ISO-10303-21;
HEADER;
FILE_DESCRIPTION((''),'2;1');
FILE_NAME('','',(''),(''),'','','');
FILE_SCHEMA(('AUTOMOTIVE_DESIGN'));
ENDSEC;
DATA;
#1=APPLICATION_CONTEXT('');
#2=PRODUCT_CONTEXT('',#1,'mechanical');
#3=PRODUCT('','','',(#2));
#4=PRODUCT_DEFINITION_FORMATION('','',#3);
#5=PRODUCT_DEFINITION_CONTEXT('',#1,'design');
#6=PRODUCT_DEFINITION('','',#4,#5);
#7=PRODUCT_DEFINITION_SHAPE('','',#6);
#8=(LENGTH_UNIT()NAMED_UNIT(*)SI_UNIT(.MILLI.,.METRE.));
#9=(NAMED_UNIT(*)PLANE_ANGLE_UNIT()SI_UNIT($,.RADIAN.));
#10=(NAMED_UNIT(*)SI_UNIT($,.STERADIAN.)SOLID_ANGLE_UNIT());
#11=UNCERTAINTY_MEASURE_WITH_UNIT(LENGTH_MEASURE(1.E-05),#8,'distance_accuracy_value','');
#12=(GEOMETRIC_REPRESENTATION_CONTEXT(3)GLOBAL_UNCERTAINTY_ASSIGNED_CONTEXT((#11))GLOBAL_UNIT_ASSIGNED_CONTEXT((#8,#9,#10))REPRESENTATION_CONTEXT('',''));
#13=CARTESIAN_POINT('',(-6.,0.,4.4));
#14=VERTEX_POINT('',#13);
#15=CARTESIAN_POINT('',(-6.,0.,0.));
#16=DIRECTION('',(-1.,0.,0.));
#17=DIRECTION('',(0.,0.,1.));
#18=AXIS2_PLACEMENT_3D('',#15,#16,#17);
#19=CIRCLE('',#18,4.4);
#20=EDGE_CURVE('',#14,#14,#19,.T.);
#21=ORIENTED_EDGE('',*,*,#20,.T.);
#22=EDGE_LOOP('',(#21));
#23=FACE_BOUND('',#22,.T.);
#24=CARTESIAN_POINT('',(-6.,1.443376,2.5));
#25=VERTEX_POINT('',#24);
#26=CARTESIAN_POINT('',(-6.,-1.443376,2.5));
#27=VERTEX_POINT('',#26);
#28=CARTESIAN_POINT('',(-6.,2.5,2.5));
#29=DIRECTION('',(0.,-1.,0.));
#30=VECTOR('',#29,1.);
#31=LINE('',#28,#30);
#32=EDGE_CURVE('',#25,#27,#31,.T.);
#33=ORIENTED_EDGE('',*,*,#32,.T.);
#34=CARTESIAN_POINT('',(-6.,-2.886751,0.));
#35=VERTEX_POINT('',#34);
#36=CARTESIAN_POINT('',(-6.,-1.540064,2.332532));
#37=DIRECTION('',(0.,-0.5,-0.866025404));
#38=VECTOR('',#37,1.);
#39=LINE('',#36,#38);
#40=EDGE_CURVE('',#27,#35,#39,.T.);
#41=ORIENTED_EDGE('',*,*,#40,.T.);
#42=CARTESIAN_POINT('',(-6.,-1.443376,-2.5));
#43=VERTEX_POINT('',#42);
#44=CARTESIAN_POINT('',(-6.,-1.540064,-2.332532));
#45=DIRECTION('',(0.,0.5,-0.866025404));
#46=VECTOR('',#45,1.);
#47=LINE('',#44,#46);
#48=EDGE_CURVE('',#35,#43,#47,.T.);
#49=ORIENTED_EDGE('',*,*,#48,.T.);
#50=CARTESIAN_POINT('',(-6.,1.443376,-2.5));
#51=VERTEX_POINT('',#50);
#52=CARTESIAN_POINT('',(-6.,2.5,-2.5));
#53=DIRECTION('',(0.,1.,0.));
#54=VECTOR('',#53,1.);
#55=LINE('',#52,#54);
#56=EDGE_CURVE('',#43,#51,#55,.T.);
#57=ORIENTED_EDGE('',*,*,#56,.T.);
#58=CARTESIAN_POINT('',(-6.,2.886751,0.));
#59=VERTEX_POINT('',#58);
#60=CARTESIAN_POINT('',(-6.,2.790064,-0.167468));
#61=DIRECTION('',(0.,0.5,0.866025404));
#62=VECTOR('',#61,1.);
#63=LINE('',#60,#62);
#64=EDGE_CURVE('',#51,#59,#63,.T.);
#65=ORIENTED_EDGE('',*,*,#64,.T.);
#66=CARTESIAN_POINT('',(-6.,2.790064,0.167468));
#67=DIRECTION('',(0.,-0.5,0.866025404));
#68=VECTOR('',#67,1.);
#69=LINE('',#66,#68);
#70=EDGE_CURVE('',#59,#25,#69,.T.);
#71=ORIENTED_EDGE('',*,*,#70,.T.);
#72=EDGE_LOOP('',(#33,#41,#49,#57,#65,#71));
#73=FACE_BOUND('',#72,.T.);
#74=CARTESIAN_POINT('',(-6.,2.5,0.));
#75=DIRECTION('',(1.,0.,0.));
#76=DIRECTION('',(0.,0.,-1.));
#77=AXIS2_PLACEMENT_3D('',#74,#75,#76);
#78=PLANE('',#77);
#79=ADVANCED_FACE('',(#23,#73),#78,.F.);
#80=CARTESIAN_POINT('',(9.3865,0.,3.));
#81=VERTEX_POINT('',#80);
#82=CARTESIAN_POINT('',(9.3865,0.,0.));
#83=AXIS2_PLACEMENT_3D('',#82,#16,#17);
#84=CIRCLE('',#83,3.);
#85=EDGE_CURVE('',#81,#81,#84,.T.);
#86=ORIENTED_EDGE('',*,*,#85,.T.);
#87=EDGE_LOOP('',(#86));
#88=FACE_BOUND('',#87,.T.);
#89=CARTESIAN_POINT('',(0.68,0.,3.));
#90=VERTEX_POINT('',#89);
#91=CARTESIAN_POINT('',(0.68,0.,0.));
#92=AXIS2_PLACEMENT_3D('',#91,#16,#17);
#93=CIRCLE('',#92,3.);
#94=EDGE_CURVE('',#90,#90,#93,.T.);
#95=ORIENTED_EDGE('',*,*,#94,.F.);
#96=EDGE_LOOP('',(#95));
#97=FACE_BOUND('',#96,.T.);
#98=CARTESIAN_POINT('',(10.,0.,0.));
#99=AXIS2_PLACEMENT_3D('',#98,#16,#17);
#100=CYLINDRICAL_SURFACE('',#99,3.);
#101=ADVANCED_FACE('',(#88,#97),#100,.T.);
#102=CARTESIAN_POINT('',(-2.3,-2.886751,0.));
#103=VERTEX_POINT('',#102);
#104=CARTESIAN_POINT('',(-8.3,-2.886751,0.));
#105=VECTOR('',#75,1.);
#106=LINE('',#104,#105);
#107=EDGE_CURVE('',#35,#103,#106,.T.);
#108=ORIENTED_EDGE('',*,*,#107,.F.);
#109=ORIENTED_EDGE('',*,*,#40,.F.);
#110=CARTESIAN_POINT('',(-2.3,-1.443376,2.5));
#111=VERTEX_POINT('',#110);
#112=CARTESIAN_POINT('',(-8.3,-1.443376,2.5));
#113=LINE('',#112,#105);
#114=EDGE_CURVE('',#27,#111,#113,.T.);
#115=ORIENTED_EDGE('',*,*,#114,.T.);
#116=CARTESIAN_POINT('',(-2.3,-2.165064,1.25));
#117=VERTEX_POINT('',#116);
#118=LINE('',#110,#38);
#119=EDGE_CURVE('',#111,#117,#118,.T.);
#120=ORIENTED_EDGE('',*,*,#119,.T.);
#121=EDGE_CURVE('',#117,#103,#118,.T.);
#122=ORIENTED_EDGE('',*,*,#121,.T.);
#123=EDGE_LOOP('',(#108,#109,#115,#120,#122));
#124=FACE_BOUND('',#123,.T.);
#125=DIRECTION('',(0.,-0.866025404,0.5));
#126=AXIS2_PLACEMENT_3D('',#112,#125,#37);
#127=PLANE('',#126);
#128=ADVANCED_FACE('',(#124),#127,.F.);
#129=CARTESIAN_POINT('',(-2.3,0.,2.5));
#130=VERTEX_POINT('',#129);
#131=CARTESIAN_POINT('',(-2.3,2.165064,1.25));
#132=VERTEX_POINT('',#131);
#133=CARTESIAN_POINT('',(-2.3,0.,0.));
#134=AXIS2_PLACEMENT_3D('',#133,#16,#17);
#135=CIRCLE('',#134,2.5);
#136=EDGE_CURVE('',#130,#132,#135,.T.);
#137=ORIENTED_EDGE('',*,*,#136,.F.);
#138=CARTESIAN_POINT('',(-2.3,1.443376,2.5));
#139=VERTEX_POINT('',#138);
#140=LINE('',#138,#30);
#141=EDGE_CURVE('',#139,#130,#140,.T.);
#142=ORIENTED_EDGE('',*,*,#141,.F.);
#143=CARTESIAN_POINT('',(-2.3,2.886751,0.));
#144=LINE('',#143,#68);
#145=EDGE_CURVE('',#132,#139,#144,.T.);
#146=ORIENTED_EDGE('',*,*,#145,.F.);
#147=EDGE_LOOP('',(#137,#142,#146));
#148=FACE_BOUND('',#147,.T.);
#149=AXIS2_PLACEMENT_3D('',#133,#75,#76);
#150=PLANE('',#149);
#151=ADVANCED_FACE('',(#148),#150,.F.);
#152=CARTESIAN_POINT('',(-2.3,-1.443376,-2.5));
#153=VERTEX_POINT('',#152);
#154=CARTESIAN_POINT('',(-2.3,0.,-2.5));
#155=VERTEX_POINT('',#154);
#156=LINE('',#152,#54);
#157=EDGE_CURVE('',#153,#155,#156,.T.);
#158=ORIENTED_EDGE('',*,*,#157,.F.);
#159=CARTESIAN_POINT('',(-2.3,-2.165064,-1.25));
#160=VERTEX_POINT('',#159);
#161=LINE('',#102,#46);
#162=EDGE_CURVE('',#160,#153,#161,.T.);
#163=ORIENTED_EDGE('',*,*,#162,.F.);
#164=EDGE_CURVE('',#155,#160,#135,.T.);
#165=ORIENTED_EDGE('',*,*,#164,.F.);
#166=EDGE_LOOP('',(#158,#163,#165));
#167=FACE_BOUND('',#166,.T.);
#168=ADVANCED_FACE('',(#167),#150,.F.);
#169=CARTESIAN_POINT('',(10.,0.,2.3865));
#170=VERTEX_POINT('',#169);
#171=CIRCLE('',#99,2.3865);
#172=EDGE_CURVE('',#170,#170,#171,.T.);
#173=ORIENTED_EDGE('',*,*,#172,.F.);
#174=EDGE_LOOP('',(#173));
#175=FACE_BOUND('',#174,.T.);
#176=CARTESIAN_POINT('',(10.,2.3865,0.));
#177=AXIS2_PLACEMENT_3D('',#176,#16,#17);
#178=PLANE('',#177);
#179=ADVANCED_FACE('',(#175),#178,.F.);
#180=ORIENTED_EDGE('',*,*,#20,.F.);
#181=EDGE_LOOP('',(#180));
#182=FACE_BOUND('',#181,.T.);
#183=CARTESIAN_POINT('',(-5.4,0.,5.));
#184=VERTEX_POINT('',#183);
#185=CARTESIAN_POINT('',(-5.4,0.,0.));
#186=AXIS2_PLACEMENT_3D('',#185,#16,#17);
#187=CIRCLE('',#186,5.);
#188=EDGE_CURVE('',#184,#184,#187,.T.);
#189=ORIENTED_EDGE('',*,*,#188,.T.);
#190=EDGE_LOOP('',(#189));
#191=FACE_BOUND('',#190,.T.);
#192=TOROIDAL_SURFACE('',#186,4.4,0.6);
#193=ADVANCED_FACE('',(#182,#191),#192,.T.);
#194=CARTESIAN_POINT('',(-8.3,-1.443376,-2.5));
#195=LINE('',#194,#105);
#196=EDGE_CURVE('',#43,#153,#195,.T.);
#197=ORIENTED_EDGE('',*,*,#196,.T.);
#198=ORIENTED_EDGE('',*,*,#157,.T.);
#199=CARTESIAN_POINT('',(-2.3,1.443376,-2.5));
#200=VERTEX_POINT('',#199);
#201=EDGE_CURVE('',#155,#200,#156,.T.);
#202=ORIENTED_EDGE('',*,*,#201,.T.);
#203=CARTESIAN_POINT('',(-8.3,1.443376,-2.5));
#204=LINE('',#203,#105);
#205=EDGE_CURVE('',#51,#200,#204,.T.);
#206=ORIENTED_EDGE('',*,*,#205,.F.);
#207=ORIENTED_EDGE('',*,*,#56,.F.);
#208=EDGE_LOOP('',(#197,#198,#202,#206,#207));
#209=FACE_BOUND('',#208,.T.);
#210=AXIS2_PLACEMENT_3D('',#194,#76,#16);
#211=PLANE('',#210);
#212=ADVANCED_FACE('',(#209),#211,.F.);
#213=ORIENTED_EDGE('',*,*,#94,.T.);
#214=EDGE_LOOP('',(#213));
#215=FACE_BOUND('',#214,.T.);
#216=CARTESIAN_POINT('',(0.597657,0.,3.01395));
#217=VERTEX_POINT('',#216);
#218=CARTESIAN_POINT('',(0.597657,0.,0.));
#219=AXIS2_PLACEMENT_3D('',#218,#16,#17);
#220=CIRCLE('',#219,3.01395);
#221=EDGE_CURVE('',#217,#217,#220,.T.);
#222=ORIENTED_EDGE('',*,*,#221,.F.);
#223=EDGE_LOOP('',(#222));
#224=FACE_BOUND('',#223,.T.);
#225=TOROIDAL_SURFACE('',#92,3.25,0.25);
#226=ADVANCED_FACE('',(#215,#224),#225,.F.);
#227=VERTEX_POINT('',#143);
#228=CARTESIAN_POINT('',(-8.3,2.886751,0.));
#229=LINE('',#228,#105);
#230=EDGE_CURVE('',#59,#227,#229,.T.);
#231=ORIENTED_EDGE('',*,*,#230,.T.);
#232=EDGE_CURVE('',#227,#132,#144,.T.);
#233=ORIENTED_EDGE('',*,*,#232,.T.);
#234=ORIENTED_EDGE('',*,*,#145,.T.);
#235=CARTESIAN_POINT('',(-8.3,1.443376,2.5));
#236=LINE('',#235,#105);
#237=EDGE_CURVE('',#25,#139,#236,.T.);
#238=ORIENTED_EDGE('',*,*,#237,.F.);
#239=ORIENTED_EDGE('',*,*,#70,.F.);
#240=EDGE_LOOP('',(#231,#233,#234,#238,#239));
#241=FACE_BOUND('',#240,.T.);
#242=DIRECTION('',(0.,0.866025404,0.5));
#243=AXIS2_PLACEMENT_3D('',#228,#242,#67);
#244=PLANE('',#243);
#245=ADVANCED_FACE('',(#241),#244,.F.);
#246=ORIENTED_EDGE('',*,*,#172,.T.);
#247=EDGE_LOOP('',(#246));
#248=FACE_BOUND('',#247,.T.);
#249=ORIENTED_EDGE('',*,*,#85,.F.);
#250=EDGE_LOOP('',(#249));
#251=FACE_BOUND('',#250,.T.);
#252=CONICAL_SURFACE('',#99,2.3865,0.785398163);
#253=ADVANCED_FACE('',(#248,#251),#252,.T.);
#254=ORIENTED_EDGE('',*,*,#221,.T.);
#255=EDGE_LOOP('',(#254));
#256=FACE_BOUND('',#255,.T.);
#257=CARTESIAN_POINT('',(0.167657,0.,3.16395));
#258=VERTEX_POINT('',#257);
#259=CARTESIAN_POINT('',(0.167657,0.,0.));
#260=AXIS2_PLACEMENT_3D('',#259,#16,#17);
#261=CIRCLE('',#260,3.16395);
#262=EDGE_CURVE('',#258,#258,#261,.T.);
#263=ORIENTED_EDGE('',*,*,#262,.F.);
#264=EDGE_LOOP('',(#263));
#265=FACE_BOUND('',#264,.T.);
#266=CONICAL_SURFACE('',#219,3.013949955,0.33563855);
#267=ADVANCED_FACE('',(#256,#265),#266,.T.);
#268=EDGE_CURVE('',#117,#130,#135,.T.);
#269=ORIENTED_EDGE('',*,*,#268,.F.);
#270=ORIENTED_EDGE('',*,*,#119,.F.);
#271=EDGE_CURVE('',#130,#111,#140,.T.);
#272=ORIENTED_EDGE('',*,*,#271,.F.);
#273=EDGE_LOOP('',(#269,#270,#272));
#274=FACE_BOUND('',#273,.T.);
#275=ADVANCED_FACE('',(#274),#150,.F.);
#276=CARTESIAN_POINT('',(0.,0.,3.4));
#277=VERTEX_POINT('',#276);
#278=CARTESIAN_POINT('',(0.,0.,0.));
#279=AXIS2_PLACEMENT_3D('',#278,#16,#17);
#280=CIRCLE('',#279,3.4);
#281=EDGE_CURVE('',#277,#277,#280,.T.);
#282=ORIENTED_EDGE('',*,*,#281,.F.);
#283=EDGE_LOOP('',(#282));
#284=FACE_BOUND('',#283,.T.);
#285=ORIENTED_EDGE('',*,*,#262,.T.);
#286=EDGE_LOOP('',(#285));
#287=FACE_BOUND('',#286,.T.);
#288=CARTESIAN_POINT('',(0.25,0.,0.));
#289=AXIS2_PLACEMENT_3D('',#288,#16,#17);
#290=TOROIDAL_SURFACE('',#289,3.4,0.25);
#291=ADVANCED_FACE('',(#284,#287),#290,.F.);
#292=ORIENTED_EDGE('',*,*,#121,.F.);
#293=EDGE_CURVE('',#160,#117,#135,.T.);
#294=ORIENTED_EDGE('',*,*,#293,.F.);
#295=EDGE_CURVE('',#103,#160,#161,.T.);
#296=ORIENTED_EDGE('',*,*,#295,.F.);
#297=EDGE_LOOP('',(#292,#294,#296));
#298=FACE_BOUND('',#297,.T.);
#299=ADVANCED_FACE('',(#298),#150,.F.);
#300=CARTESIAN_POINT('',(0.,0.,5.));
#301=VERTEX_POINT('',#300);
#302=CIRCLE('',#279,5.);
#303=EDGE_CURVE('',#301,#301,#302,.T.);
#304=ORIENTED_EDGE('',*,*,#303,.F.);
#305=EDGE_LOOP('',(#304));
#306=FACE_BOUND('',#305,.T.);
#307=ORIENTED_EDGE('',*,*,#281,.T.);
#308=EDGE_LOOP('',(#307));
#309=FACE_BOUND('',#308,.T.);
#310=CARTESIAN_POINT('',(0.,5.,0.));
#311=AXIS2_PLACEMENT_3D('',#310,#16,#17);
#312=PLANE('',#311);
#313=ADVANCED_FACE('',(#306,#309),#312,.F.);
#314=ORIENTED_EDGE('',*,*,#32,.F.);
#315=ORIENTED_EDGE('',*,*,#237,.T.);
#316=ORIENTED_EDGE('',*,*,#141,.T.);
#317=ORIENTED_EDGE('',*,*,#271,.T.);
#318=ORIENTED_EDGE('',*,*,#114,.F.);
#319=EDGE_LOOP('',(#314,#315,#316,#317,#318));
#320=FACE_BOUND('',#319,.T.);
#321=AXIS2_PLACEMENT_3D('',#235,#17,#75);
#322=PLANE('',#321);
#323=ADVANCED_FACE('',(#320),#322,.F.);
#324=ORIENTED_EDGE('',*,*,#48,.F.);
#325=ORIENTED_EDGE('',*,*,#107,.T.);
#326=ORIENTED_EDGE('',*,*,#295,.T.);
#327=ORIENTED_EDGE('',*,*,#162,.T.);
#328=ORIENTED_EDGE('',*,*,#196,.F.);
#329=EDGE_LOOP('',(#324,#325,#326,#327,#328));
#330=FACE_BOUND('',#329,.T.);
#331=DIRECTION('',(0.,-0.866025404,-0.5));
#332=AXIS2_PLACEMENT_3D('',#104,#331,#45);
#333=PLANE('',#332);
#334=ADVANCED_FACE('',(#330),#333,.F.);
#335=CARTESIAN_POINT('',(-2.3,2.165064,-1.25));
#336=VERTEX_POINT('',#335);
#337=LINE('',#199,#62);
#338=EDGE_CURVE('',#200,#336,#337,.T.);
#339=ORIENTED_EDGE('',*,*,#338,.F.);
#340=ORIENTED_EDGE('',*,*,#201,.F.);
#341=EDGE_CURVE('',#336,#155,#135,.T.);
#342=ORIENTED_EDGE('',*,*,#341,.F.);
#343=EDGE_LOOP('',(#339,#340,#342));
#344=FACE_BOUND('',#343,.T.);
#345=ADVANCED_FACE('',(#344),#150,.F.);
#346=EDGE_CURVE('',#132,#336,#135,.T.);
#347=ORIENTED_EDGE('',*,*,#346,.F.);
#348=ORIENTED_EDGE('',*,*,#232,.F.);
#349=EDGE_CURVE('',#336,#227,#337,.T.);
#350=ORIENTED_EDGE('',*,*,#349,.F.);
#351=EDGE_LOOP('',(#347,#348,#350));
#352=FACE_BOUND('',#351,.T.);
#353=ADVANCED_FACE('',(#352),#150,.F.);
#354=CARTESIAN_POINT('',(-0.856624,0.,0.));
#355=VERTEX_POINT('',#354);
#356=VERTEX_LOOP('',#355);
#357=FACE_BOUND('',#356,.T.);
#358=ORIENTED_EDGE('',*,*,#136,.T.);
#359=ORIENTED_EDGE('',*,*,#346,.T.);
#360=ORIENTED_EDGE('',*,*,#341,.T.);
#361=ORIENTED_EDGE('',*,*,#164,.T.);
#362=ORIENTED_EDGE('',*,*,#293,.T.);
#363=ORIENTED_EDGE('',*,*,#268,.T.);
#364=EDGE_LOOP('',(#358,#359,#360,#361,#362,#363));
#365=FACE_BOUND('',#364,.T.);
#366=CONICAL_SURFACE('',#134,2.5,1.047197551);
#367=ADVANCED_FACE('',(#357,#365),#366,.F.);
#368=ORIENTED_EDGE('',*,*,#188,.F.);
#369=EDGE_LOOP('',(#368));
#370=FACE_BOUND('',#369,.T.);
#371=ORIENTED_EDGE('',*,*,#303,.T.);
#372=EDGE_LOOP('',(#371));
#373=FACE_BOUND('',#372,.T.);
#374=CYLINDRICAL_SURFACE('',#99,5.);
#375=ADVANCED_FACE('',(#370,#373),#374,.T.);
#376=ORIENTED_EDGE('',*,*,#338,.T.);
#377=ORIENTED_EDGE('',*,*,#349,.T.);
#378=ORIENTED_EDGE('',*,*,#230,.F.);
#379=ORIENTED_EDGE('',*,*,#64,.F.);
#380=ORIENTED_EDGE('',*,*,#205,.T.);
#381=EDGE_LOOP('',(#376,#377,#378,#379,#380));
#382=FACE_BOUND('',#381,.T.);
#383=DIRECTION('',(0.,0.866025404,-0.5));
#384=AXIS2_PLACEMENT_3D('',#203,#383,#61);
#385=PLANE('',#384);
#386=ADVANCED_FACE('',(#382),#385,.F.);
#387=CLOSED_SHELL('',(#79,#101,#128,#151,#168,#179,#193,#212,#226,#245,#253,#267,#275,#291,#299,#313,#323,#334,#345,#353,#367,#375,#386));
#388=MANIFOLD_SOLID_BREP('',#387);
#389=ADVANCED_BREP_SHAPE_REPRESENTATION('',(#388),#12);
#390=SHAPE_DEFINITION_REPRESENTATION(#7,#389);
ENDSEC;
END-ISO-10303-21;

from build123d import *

# Parameters (mm, degrees)
CUT_EXTRUDE_1_DEPTH = 6
SKETCH_3_R          = 3.75
EXTRUDE_1_DEPTH     = 3


with BuildPart() as part:
    # 草图1 → 旋转1 (revolve)
    with BuildSketch(Plane.XY, mode=Mode.PRIVATE) as revolve_1_sk:
        with BuildLine():
            Line((-0.856624327, 0), (-2.3, 2.5))
            Line((-2.3, 2.5), (-6, 2.5))
            Line((-6, 2.5), (-6, 4.4))
            ThreePointArc((-6, 4.4), (-5.824264069, 4.824264069), (-5.4, 5))
            Line((-5.4, 5), (0, 5))
            Line((0, 5), (0, 3.4))
            ThreePointArc((0, 3.4), (0.046179295, 3.255234258), (0.167656961, 3.163949955))
            Line((0.167656961, 3.163949955), (0.597656961, 3.013949955))
            ThreePointArc((0.597656961, 3.013949955), (0.638241835, 3.003512159), (0.68, 3))
            Line((0.68, 3), (9.3865, 3))
            Line((9.3865, 3), (10, 2.3865))
            Line((10, 2.3865), (10, 0))
            Line((10, 0), (-0.856624327, 0))
        make_face()
    revolve(revolve_1_sk.sketch.rotate(Axis((10, 0, 0), (-1, 0, 0)), 270), axis=Axis((10, 0, 0), (-1, 0, 0)))

    # 草图2 → 切除-拉伸1 (cut)
    with BuildSketch(Plane(origin=(-2.3, 0, 0), x_dir=(0, 0, -1), z_dir=(1, 0, 0))):
        Polygon((-2.5, 1.443375673), (-2.5, -1.443375673), (0, -2.886751346), (2.5, -1.443375673), (2.5, 1.443375673), (0, 2.886751346), align=None)
    extrude(amount=-CUT_EXTRUDE_1_DEPTH, mode=Mode.SUBTRACT)


with BuildPart() as body_2:
    # 草图3 → 凸台-拉伸1 (new body)
    with BuildSketch(Plane(origin=(0, 0, 0), x_dir=(0, 0, -1), z_dir=(1, 0, 0))):
        Circle(SKETCH_3_R)
    extrude(amount=-EXTRUDE_1_DEPTH)

    # Delete Face 1: 1 face struck out; the rest of the skin is kept as a surface, the solid goes
    delete_face_1_1_drop = [body_2.part.faces().sort_by_distance(Vector(p))[0] for p in ((-3, 0, 0),)]
    delete_face_1_1 = Shell(body_2.part.faces() - delete_face_1_1_drop)


solid = part.part
